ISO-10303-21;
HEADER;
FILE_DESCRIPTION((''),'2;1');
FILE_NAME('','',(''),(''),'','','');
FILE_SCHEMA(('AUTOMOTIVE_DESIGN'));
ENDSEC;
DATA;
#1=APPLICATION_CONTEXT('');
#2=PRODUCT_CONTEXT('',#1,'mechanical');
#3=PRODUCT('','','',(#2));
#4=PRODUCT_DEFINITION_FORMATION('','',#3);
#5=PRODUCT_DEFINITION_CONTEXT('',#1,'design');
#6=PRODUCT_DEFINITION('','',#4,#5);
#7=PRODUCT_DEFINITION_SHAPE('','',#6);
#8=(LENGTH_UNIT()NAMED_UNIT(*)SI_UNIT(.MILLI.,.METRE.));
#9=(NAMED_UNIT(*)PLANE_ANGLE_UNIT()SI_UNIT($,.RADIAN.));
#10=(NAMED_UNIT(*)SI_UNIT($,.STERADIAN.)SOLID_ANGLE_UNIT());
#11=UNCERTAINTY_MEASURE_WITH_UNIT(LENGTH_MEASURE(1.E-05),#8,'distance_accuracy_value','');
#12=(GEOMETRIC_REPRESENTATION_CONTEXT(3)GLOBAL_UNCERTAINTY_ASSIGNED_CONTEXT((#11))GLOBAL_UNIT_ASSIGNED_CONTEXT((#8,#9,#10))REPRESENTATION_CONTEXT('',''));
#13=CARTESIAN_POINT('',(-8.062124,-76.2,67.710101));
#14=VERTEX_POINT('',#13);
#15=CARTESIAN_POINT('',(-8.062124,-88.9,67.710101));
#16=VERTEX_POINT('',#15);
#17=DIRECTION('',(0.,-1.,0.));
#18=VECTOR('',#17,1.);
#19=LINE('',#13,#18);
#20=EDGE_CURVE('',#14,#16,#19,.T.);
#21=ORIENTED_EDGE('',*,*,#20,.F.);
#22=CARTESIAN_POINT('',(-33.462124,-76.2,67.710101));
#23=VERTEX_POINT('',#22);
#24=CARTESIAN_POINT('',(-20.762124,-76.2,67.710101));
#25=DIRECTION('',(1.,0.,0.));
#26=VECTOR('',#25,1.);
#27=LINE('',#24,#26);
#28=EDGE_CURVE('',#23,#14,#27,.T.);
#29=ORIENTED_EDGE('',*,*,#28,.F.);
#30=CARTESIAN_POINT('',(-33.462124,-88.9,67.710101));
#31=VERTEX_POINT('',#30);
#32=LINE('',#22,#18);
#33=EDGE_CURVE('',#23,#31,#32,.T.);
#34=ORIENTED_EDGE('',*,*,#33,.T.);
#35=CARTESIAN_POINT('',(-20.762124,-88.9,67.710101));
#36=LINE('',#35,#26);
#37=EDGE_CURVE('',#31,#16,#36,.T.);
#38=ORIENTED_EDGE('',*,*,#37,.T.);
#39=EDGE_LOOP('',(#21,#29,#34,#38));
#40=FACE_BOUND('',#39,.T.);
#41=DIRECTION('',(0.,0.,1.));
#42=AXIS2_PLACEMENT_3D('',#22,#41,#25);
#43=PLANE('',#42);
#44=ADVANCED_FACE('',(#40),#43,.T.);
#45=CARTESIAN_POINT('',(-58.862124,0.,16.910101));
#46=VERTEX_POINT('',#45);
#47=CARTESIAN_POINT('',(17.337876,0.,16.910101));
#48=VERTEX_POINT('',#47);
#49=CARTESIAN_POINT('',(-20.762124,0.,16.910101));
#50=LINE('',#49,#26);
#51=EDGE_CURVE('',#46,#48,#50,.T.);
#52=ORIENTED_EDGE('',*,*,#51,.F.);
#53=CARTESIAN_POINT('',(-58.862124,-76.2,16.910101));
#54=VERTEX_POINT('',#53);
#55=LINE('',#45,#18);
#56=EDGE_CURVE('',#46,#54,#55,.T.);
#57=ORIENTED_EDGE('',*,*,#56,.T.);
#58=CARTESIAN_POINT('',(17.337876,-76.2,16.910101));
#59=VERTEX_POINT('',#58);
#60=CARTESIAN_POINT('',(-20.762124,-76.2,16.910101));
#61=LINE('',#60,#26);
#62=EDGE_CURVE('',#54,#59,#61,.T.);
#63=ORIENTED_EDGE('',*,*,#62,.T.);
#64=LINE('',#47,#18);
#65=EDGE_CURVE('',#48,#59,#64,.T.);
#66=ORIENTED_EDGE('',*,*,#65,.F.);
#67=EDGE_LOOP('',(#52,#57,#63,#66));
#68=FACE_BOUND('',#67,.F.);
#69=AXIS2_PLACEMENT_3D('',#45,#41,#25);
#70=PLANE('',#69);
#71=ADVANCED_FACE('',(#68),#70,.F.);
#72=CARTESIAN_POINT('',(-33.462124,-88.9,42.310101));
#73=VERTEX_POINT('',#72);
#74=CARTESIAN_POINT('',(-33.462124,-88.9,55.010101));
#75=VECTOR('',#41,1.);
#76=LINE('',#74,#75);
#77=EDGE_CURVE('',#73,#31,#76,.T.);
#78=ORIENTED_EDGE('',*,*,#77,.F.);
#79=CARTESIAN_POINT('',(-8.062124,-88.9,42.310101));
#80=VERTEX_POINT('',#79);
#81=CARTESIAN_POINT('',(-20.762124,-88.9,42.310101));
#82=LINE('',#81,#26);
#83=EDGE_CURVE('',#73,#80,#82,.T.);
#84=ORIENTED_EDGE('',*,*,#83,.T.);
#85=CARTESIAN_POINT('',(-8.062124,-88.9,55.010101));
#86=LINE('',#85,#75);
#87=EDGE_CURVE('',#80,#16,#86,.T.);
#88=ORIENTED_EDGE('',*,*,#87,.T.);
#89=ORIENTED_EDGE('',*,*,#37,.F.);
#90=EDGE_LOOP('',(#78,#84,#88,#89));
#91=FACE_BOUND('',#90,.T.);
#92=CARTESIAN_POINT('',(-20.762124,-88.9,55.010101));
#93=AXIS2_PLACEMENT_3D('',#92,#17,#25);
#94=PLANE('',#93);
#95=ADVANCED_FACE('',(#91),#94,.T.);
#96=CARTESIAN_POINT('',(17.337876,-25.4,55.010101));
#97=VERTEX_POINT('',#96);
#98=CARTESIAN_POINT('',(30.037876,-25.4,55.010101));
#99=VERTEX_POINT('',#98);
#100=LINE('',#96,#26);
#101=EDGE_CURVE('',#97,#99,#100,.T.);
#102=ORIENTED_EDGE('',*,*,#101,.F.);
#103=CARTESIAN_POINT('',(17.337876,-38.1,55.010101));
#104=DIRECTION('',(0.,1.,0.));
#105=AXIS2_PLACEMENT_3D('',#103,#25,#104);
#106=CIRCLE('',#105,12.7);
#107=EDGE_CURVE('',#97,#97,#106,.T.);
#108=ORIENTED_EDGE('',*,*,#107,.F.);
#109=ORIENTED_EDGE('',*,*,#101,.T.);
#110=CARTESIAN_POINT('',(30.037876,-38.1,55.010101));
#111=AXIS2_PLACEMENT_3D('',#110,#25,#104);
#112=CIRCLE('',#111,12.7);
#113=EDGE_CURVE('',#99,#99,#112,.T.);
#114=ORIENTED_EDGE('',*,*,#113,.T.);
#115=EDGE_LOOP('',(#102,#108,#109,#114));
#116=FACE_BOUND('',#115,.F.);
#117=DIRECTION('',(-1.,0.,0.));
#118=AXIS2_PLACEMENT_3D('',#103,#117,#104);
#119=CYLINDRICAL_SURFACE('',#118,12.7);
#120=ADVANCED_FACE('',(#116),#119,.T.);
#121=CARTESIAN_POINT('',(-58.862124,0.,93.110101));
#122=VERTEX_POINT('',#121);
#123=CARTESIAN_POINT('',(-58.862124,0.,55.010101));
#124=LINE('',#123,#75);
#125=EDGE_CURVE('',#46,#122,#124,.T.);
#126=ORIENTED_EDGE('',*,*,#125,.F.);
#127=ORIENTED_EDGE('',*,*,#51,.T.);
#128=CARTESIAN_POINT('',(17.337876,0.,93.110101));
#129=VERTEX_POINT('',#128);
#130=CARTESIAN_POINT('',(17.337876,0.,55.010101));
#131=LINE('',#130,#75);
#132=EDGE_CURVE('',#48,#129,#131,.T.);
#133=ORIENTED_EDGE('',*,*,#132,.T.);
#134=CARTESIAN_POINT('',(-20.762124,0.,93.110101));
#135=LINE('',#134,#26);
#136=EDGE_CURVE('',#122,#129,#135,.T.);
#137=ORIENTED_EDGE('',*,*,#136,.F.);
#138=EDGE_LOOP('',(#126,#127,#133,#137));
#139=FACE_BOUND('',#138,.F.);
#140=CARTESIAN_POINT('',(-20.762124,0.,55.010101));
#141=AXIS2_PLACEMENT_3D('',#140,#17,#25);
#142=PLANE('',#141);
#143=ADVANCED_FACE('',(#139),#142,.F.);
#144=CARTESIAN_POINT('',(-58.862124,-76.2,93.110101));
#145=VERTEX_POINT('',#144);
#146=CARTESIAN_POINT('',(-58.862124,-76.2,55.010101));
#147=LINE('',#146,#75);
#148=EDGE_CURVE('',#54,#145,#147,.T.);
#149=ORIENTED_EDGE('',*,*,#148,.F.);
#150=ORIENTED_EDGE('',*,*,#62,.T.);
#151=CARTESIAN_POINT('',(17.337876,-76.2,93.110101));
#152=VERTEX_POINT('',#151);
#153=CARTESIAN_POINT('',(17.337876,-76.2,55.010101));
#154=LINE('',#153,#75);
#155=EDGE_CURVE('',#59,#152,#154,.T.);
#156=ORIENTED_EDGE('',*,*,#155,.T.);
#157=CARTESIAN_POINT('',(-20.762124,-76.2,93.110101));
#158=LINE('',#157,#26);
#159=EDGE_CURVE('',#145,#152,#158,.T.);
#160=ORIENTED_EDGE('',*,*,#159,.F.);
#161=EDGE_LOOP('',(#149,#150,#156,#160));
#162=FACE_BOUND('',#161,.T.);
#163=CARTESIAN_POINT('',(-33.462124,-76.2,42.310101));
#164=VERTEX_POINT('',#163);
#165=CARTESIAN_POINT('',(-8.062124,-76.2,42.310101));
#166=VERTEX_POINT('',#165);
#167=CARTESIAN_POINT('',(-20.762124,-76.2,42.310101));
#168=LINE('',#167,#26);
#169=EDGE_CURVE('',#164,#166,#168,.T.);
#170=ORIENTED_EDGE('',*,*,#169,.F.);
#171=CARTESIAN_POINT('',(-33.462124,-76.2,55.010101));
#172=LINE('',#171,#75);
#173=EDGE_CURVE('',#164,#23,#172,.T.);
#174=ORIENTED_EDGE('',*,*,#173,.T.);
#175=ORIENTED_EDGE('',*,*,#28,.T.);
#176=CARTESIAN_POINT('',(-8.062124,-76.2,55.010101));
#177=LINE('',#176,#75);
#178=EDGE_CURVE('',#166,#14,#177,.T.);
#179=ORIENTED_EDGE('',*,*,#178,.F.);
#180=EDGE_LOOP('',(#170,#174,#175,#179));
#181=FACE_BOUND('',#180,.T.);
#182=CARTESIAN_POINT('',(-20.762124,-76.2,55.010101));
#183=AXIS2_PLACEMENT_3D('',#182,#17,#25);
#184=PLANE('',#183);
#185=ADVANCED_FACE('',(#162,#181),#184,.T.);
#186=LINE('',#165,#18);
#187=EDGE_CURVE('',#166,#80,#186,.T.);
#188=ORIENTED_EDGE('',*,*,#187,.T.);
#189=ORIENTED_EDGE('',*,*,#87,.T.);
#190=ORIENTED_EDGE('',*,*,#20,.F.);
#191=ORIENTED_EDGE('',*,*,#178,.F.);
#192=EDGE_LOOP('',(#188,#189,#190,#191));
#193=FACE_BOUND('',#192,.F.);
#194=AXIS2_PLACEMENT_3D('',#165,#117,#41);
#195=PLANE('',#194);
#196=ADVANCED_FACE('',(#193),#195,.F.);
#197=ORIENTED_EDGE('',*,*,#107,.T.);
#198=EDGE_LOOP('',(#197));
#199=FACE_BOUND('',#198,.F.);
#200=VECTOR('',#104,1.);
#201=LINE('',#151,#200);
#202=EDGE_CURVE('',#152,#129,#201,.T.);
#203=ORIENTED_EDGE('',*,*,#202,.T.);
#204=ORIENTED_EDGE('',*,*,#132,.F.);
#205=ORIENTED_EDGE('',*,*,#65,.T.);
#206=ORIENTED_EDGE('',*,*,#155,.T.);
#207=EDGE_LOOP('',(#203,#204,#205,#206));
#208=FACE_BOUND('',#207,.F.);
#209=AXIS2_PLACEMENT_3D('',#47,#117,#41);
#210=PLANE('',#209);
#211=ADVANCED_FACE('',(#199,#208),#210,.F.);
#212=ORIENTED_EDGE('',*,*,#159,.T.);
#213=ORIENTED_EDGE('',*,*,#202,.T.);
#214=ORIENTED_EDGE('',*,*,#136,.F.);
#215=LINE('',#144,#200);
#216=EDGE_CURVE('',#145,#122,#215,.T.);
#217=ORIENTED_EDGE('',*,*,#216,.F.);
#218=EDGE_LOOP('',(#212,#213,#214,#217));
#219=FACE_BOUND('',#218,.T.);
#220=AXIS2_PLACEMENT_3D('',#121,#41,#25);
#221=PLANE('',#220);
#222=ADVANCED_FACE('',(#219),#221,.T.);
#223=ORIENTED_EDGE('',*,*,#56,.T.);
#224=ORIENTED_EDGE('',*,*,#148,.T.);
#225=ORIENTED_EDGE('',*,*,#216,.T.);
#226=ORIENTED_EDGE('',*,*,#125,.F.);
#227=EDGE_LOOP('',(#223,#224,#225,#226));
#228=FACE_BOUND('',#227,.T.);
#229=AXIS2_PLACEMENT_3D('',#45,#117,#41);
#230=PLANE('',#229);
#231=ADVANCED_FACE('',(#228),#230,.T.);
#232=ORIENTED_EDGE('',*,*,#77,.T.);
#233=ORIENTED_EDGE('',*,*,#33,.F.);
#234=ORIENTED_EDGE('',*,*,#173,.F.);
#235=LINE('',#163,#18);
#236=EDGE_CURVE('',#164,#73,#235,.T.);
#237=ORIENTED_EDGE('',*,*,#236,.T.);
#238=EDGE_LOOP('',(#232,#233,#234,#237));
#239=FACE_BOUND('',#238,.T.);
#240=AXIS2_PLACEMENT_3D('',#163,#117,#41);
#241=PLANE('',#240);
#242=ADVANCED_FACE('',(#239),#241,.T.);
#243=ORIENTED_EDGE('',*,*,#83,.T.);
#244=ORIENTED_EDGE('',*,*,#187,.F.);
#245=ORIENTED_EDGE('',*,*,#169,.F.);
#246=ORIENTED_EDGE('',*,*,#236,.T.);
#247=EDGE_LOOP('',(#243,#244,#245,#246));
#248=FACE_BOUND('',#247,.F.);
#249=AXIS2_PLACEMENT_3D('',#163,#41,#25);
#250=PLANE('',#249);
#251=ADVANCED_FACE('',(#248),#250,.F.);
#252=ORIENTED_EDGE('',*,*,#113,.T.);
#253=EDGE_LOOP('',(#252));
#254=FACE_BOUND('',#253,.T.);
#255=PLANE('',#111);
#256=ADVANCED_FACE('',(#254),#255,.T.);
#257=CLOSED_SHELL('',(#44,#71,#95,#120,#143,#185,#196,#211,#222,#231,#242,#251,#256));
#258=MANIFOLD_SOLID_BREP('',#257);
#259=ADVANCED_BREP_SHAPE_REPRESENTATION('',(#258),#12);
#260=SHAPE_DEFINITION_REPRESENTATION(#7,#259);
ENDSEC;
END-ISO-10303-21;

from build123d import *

# Parameters (mm, degrees)
F0_W     = 76.2
F0_H     = 76.2
F1_DEPTH = 25.4
F2_DEPTH = 76.2
F3_W     = 25.4
F3_H     = 25.4
F4_DEPTH = 12.7
F5_R     = 12.7
F6_DEPTH = 12.7


with BuildPart() as f1:
    # F0 (on Front) → F1 (new body)
    with BuildSketch(Plane.XZ):
        with Locations((-20.762124, 55.010101)):
            Rectangle(F0_W, F0_H)
    extrude(amount=F1_DEPTH)

    # F0 (on Front) → F2 (join)
    with BuildSketch(Plane.XZ):
        with Locations((-20.762124, 55.010101)):
            Rectangle(F0_W, F0_H)
    extrude(amount=F2_DEPTH)

    # F3 (on face) → F4 (join)
    with BuildSketch(Plane.XZ.offset(76.2)):
        with Locations((-20.762124, 55.010101)):
            Rectangle(F3_W, F3_H)
    extrude(amount=F4_DEPTH)

    # F5 (on face) → F6 (join)
    with BuildSketch(Plane.YZ.offset(17.337876)):
        with Locations((-38.1, 55.010101)):
            Circle(F5_R)
    extrude(amount=F6_DEPTH)


solid = f1.part
